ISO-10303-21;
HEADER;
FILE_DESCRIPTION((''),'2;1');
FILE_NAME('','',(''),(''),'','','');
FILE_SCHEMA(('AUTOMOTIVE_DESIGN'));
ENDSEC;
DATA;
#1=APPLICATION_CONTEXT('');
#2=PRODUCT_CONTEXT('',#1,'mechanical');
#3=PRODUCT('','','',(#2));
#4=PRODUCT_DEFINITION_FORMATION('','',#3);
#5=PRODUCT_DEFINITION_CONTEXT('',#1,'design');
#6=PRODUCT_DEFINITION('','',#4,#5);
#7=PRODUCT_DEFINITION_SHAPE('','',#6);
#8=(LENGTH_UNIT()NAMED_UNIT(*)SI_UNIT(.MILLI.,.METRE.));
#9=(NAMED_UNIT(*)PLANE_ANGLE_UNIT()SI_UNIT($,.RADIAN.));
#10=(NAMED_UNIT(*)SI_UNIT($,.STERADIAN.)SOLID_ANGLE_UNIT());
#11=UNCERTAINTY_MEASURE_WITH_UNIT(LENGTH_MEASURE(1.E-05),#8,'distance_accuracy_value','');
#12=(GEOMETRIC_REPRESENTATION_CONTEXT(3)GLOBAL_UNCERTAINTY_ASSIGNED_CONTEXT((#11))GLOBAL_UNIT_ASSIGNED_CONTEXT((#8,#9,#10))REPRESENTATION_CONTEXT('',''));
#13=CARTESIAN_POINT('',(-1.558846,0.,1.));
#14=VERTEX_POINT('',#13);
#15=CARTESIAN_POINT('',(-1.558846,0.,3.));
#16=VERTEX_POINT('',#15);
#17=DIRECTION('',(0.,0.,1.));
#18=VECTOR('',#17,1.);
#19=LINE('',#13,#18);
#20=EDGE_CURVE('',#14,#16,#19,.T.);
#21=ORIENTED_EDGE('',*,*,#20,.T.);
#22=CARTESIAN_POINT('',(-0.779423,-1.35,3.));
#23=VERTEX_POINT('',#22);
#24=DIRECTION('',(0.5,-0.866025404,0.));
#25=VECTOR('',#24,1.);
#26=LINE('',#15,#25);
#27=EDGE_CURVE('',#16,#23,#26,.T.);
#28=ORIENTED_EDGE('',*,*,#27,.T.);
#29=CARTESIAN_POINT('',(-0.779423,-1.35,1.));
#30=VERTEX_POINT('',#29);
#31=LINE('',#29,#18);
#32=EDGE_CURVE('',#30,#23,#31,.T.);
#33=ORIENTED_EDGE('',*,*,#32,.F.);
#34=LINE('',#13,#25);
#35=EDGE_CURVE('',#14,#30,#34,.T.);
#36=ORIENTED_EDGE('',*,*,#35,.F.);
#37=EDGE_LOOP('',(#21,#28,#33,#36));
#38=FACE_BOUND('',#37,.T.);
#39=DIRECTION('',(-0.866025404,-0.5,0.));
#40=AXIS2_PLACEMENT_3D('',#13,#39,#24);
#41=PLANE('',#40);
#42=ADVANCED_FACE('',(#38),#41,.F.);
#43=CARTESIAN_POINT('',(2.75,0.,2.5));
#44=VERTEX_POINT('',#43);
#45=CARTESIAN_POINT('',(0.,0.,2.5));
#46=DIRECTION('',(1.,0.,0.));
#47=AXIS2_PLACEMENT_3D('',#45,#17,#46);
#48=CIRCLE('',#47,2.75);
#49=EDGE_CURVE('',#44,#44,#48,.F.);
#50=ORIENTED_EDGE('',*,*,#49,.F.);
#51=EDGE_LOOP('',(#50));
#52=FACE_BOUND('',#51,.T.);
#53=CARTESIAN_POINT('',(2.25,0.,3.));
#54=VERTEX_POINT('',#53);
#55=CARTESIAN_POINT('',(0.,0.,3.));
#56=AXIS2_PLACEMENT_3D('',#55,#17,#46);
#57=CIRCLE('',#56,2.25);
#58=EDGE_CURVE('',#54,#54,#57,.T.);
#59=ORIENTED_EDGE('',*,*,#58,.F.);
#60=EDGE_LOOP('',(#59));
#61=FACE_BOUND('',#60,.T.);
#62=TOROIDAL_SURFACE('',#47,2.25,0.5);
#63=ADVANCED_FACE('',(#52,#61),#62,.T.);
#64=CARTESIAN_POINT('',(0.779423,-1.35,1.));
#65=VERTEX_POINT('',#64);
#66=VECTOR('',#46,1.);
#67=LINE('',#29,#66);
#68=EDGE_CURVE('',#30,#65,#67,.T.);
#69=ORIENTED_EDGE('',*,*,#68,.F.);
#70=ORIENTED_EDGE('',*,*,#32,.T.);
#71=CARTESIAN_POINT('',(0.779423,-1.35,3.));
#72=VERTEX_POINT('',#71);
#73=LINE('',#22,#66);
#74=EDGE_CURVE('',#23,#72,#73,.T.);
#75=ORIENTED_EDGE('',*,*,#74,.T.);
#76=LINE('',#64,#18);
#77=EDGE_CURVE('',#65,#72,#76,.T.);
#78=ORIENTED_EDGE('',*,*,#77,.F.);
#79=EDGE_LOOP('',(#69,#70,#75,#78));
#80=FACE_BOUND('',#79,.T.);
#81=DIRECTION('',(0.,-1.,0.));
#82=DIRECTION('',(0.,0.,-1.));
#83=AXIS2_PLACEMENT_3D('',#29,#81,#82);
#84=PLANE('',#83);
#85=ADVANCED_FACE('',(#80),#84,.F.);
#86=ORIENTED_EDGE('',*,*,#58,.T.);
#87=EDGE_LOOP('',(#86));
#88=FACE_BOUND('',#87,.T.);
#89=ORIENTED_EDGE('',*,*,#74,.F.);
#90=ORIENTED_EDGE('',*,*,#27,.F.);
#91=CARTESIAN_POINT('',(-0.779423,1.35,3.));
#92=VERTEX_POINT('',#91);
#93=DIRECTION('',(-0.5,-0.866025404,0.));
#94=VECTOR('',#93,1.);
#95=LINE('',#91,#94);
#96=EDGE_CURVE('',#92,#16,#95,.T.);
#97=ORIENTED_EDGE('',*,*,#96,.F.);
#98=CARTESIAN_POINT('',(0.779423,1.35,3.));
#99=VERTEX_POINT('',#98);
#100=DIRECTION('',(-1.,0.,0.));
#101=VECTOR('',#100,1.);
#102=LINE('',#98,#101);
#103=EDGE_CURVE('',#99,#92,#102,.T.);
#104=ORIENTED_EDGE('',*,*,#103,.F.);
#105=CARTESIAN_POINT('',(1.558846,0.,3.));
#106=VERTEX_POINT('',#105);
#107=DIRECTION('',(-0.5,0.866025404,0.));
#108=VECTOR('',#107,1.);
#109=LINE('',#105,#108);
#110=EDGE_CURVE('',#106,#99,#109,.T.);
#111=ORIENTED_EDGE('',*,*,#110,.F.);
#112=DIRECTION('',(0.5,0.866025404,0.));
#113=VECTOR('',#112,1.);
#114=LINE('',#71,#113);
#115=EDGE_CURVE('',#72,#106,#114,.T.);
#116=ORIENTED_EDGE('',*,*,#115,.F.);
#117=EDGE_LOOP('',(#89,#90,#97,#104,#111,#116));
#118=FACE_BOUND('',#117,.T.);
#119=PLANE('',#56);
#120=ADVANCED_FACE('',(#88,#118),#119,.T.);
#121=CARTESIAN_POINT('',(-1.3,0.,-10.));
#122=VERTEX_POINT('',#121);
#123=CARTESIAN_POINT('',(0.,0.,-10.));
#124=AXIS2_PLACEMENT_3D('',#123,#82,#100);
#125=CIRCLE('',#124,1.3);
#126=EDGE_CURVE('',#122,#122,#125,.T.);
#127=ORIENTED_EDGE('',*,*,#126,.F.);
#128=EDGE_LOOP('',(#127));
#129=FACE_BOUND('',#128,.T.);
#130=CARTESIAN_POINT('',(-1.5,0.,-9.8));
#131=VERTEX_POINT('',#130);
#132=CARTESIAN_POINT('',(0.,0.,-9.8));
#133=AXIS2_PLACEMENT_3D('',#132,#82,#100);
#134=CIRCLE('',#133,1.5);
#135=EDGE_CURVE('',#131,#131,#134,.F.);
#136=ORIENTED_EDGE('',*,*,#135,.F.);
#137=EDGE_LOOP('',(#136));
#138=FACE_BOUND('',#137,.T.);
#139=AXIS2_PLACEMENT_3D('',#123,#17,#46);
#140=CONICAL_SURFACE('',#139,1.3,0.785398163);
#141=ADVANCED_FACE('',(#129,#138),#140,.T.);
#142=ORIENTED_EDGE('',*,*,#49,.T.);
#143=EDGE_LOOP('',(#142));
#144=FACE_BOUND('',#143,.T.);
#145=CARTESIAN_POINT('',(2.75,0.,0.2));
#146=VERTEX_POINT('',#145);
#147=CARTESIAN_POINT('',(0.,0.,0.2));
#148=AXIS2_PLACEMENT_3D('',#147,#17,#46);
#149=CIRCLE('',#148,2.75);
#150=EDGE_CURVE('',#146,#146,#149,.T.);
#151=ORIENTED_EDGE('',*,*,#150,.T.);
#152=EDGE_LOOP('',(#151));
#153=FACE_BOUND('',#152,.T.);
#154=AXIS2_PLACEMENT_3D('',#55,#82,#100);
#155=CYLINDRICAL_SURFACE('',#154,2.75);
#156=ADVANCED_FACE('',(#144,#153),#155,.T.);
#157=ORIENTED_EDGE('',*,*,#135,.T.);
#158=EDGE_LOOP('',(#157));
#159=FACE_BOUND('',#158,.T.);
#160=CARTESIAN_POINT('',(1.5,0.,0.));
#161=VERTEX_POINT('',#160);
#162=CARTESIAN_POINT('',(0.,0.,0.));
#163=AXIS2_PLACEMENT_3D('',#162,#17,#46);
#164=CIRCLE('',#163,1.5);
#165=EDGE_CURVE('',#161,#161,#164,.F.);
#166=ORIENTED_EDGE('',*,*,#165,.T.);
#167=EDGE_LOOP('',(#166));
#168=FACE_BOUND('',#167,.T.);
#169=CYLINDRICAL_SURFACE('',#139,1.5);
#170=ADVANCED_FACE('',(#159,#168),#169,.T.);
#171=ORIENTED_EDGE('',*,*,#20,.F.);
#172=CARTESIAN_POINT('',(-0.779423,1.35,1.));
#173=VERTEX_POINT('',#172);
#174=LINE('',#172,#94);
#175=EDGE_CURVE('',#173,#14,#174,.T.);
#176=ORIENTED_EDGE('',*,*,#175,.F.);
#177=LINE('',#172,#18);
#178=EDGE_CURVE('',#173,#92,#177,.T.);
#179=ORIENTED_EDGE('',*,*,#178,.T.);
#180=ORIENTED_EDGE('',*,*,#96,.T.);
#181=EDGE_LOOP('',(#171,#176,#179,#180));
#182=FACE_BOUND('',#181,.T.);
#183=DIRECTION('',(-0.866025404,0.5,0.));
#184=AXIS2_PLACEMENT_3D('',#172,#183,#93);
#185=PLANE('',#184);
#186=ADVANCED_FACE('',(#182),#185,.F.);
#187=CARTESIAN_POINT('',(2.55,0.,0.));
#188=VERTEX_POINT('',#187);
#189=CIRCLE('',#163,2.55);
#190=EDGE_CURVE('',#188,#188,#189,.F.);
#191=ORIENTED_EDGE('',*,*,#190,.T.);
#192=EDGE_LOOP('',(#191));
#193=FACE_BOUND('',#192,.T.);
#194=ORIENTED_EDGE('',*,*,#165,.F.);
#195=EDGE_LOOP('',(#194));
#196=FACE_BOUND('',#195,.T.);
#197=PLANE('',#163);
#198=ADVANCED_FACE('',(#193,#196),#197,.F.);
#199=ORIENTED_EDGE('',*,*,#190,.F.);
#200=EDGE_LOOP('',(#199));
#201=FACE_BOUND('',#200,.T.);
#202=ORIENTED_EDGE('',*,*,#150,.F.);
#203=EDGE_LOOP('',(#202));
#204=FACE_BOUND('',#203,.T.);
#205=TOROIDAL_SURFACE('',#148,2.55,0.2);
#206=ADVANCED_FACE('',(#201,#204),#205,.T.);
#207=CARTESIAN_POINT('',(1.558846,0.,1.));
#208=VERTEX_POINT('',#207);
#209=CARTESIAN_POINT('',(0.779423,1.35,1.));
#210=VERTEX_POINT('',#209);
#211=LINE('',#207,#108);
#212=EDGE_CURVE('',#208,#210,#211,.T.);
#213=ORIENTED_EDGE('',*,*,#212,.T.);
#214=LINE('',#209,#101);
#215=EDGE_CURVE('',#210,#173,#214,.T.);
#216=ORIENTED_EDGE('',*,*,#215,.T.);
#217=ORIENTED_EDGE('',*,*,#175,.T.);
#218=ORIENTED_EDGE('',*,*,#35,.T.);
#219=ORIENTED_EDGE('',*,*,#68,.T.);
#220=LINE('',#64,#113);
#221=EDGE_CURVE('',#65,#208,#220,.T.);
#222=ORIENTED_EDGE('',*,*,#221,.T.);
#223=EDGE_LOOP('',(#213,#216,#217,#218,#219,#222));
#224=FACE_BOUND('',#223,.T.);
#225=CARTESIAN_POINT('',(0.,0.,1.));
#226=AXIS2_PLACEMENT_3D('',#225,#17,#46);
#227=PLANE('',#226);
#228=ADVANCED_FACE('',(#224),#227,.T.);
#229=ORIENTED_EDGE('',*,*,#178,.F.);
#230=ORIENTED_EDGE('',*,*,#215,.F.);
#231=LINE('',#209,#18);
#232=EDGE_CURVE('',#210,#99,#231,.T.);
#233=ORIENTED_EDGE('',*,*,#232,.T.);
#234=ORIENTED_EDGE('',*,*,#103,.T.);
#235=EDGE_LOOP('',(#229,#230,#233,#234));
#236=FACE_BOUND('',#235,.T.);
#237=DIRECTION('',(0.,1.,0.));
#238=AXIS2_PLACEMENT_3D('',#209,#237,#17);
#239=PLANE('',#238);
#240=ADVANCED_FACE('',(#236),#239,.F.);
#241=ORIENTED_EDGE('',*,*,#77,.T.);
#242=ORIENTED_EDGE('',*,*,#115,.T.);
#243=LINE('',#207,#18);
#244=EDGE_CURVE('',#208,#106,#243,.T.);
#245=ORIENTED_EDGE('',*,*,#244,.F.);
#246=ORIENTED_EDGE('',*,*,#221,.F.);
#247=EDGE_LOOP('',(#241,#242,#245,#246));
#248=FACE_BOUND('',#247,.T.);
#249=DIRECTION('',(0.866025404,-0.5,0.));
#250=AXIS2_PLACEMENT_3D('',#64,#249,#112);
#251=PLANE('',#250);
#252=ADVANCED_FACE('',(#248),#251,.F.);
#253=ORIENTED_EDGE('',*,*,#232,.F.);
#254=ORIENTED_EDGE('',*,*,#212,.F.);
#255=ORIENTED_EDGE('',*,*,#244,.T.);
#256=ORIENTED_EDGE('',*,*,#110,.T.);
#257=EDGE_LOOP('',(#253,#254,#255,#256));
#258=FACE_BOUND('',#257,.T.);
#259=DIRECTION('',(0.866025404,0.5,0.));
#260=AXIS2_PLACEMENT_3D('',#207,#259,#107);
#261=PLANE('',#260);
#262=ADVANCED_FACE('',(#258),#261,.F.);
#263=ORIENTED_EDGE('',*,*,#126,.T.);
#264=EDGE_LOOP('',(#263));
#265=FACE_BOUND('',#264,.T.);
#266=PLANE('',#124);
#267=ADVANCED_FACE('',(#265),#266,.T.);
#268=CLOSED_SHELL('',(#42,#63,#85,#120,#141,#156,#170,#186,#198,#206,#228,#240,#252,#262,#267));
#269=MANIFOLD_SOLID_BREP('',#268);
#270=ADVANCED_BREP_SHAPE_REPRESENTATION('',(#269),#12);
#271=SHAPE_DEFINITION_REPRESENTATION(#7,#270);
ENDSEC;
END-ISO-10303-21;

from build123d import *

# Parameters (mm, degrees)
SKETCH_1_R          = 2.75
EXTRUDE_1_DEPTH     = 3
FILLET_1_R          = 0.5
CUT_EXTRUDE_1_DEPTH = 2
SKETCH_3_R          = 1.5
EXTRUDE_2_DEPTH     = 10
CHAMFER_1_SIZE      = 0.2
FILLET_2_R          = 0.2


with BuildPart() as part:
    # 草图1 → 凸台-拉伸1 (new body)
    with BuildSketch(Plane.XY):
        Circle(SKETCH_1_R)
    extrude(amount=EXTRUDE_1_DEPTH)

    # 圆角1
    fillet_1_edges = [part.edges().sort_by_distance(p)[0] for p in [
        (-2.75, 0, 3),
    ]]
    fillet(fillet_1_edges, radius=FILLET_1_R)

    # 草图2 → 切除-拉伸1 (cut)
    with BuildSketch(Plane.XY.offset(3)):
        Polygon((1.558845727, 0), (0.779422863, 1.35), (-0.779422863, 1.35), (-1.558845727, 0), (-0.779422863, -1.35), (0.779422863, -1.35), align=None)
    extrude(amount=-CUT_EXTRUDE_1_DEPTH, mode=Mode.SUBTRACT)

    # 草图3 → 凸台-拉伸2 (add)
    with BuildSketch(Plane(origin=(0, 0, 0), x_dir=(-1, 0, 0), z_dir=(0, 0, -1))):
        Circle(SKETCH_3_R)
    extrude(amount=EXTRUDE_2_DEPTH)

    # 倒角1
    chamfer_1_edges = [part.edges().sort_by_distance(p)[0] for p in [
        (1.5, 0, -10),
    ]]
    chamfer(chamfer_1_edges, length=CHAMFER_1_SIZE)

    # 圆角2
    fillet_2_edges = [part.edges().sort_by_distance(p)[0] for p in [
        (-2.75, 0, 0),
    ]]
    fillet(fillet_2_edges, radius=FILLET_2_R)


solid = part.part
